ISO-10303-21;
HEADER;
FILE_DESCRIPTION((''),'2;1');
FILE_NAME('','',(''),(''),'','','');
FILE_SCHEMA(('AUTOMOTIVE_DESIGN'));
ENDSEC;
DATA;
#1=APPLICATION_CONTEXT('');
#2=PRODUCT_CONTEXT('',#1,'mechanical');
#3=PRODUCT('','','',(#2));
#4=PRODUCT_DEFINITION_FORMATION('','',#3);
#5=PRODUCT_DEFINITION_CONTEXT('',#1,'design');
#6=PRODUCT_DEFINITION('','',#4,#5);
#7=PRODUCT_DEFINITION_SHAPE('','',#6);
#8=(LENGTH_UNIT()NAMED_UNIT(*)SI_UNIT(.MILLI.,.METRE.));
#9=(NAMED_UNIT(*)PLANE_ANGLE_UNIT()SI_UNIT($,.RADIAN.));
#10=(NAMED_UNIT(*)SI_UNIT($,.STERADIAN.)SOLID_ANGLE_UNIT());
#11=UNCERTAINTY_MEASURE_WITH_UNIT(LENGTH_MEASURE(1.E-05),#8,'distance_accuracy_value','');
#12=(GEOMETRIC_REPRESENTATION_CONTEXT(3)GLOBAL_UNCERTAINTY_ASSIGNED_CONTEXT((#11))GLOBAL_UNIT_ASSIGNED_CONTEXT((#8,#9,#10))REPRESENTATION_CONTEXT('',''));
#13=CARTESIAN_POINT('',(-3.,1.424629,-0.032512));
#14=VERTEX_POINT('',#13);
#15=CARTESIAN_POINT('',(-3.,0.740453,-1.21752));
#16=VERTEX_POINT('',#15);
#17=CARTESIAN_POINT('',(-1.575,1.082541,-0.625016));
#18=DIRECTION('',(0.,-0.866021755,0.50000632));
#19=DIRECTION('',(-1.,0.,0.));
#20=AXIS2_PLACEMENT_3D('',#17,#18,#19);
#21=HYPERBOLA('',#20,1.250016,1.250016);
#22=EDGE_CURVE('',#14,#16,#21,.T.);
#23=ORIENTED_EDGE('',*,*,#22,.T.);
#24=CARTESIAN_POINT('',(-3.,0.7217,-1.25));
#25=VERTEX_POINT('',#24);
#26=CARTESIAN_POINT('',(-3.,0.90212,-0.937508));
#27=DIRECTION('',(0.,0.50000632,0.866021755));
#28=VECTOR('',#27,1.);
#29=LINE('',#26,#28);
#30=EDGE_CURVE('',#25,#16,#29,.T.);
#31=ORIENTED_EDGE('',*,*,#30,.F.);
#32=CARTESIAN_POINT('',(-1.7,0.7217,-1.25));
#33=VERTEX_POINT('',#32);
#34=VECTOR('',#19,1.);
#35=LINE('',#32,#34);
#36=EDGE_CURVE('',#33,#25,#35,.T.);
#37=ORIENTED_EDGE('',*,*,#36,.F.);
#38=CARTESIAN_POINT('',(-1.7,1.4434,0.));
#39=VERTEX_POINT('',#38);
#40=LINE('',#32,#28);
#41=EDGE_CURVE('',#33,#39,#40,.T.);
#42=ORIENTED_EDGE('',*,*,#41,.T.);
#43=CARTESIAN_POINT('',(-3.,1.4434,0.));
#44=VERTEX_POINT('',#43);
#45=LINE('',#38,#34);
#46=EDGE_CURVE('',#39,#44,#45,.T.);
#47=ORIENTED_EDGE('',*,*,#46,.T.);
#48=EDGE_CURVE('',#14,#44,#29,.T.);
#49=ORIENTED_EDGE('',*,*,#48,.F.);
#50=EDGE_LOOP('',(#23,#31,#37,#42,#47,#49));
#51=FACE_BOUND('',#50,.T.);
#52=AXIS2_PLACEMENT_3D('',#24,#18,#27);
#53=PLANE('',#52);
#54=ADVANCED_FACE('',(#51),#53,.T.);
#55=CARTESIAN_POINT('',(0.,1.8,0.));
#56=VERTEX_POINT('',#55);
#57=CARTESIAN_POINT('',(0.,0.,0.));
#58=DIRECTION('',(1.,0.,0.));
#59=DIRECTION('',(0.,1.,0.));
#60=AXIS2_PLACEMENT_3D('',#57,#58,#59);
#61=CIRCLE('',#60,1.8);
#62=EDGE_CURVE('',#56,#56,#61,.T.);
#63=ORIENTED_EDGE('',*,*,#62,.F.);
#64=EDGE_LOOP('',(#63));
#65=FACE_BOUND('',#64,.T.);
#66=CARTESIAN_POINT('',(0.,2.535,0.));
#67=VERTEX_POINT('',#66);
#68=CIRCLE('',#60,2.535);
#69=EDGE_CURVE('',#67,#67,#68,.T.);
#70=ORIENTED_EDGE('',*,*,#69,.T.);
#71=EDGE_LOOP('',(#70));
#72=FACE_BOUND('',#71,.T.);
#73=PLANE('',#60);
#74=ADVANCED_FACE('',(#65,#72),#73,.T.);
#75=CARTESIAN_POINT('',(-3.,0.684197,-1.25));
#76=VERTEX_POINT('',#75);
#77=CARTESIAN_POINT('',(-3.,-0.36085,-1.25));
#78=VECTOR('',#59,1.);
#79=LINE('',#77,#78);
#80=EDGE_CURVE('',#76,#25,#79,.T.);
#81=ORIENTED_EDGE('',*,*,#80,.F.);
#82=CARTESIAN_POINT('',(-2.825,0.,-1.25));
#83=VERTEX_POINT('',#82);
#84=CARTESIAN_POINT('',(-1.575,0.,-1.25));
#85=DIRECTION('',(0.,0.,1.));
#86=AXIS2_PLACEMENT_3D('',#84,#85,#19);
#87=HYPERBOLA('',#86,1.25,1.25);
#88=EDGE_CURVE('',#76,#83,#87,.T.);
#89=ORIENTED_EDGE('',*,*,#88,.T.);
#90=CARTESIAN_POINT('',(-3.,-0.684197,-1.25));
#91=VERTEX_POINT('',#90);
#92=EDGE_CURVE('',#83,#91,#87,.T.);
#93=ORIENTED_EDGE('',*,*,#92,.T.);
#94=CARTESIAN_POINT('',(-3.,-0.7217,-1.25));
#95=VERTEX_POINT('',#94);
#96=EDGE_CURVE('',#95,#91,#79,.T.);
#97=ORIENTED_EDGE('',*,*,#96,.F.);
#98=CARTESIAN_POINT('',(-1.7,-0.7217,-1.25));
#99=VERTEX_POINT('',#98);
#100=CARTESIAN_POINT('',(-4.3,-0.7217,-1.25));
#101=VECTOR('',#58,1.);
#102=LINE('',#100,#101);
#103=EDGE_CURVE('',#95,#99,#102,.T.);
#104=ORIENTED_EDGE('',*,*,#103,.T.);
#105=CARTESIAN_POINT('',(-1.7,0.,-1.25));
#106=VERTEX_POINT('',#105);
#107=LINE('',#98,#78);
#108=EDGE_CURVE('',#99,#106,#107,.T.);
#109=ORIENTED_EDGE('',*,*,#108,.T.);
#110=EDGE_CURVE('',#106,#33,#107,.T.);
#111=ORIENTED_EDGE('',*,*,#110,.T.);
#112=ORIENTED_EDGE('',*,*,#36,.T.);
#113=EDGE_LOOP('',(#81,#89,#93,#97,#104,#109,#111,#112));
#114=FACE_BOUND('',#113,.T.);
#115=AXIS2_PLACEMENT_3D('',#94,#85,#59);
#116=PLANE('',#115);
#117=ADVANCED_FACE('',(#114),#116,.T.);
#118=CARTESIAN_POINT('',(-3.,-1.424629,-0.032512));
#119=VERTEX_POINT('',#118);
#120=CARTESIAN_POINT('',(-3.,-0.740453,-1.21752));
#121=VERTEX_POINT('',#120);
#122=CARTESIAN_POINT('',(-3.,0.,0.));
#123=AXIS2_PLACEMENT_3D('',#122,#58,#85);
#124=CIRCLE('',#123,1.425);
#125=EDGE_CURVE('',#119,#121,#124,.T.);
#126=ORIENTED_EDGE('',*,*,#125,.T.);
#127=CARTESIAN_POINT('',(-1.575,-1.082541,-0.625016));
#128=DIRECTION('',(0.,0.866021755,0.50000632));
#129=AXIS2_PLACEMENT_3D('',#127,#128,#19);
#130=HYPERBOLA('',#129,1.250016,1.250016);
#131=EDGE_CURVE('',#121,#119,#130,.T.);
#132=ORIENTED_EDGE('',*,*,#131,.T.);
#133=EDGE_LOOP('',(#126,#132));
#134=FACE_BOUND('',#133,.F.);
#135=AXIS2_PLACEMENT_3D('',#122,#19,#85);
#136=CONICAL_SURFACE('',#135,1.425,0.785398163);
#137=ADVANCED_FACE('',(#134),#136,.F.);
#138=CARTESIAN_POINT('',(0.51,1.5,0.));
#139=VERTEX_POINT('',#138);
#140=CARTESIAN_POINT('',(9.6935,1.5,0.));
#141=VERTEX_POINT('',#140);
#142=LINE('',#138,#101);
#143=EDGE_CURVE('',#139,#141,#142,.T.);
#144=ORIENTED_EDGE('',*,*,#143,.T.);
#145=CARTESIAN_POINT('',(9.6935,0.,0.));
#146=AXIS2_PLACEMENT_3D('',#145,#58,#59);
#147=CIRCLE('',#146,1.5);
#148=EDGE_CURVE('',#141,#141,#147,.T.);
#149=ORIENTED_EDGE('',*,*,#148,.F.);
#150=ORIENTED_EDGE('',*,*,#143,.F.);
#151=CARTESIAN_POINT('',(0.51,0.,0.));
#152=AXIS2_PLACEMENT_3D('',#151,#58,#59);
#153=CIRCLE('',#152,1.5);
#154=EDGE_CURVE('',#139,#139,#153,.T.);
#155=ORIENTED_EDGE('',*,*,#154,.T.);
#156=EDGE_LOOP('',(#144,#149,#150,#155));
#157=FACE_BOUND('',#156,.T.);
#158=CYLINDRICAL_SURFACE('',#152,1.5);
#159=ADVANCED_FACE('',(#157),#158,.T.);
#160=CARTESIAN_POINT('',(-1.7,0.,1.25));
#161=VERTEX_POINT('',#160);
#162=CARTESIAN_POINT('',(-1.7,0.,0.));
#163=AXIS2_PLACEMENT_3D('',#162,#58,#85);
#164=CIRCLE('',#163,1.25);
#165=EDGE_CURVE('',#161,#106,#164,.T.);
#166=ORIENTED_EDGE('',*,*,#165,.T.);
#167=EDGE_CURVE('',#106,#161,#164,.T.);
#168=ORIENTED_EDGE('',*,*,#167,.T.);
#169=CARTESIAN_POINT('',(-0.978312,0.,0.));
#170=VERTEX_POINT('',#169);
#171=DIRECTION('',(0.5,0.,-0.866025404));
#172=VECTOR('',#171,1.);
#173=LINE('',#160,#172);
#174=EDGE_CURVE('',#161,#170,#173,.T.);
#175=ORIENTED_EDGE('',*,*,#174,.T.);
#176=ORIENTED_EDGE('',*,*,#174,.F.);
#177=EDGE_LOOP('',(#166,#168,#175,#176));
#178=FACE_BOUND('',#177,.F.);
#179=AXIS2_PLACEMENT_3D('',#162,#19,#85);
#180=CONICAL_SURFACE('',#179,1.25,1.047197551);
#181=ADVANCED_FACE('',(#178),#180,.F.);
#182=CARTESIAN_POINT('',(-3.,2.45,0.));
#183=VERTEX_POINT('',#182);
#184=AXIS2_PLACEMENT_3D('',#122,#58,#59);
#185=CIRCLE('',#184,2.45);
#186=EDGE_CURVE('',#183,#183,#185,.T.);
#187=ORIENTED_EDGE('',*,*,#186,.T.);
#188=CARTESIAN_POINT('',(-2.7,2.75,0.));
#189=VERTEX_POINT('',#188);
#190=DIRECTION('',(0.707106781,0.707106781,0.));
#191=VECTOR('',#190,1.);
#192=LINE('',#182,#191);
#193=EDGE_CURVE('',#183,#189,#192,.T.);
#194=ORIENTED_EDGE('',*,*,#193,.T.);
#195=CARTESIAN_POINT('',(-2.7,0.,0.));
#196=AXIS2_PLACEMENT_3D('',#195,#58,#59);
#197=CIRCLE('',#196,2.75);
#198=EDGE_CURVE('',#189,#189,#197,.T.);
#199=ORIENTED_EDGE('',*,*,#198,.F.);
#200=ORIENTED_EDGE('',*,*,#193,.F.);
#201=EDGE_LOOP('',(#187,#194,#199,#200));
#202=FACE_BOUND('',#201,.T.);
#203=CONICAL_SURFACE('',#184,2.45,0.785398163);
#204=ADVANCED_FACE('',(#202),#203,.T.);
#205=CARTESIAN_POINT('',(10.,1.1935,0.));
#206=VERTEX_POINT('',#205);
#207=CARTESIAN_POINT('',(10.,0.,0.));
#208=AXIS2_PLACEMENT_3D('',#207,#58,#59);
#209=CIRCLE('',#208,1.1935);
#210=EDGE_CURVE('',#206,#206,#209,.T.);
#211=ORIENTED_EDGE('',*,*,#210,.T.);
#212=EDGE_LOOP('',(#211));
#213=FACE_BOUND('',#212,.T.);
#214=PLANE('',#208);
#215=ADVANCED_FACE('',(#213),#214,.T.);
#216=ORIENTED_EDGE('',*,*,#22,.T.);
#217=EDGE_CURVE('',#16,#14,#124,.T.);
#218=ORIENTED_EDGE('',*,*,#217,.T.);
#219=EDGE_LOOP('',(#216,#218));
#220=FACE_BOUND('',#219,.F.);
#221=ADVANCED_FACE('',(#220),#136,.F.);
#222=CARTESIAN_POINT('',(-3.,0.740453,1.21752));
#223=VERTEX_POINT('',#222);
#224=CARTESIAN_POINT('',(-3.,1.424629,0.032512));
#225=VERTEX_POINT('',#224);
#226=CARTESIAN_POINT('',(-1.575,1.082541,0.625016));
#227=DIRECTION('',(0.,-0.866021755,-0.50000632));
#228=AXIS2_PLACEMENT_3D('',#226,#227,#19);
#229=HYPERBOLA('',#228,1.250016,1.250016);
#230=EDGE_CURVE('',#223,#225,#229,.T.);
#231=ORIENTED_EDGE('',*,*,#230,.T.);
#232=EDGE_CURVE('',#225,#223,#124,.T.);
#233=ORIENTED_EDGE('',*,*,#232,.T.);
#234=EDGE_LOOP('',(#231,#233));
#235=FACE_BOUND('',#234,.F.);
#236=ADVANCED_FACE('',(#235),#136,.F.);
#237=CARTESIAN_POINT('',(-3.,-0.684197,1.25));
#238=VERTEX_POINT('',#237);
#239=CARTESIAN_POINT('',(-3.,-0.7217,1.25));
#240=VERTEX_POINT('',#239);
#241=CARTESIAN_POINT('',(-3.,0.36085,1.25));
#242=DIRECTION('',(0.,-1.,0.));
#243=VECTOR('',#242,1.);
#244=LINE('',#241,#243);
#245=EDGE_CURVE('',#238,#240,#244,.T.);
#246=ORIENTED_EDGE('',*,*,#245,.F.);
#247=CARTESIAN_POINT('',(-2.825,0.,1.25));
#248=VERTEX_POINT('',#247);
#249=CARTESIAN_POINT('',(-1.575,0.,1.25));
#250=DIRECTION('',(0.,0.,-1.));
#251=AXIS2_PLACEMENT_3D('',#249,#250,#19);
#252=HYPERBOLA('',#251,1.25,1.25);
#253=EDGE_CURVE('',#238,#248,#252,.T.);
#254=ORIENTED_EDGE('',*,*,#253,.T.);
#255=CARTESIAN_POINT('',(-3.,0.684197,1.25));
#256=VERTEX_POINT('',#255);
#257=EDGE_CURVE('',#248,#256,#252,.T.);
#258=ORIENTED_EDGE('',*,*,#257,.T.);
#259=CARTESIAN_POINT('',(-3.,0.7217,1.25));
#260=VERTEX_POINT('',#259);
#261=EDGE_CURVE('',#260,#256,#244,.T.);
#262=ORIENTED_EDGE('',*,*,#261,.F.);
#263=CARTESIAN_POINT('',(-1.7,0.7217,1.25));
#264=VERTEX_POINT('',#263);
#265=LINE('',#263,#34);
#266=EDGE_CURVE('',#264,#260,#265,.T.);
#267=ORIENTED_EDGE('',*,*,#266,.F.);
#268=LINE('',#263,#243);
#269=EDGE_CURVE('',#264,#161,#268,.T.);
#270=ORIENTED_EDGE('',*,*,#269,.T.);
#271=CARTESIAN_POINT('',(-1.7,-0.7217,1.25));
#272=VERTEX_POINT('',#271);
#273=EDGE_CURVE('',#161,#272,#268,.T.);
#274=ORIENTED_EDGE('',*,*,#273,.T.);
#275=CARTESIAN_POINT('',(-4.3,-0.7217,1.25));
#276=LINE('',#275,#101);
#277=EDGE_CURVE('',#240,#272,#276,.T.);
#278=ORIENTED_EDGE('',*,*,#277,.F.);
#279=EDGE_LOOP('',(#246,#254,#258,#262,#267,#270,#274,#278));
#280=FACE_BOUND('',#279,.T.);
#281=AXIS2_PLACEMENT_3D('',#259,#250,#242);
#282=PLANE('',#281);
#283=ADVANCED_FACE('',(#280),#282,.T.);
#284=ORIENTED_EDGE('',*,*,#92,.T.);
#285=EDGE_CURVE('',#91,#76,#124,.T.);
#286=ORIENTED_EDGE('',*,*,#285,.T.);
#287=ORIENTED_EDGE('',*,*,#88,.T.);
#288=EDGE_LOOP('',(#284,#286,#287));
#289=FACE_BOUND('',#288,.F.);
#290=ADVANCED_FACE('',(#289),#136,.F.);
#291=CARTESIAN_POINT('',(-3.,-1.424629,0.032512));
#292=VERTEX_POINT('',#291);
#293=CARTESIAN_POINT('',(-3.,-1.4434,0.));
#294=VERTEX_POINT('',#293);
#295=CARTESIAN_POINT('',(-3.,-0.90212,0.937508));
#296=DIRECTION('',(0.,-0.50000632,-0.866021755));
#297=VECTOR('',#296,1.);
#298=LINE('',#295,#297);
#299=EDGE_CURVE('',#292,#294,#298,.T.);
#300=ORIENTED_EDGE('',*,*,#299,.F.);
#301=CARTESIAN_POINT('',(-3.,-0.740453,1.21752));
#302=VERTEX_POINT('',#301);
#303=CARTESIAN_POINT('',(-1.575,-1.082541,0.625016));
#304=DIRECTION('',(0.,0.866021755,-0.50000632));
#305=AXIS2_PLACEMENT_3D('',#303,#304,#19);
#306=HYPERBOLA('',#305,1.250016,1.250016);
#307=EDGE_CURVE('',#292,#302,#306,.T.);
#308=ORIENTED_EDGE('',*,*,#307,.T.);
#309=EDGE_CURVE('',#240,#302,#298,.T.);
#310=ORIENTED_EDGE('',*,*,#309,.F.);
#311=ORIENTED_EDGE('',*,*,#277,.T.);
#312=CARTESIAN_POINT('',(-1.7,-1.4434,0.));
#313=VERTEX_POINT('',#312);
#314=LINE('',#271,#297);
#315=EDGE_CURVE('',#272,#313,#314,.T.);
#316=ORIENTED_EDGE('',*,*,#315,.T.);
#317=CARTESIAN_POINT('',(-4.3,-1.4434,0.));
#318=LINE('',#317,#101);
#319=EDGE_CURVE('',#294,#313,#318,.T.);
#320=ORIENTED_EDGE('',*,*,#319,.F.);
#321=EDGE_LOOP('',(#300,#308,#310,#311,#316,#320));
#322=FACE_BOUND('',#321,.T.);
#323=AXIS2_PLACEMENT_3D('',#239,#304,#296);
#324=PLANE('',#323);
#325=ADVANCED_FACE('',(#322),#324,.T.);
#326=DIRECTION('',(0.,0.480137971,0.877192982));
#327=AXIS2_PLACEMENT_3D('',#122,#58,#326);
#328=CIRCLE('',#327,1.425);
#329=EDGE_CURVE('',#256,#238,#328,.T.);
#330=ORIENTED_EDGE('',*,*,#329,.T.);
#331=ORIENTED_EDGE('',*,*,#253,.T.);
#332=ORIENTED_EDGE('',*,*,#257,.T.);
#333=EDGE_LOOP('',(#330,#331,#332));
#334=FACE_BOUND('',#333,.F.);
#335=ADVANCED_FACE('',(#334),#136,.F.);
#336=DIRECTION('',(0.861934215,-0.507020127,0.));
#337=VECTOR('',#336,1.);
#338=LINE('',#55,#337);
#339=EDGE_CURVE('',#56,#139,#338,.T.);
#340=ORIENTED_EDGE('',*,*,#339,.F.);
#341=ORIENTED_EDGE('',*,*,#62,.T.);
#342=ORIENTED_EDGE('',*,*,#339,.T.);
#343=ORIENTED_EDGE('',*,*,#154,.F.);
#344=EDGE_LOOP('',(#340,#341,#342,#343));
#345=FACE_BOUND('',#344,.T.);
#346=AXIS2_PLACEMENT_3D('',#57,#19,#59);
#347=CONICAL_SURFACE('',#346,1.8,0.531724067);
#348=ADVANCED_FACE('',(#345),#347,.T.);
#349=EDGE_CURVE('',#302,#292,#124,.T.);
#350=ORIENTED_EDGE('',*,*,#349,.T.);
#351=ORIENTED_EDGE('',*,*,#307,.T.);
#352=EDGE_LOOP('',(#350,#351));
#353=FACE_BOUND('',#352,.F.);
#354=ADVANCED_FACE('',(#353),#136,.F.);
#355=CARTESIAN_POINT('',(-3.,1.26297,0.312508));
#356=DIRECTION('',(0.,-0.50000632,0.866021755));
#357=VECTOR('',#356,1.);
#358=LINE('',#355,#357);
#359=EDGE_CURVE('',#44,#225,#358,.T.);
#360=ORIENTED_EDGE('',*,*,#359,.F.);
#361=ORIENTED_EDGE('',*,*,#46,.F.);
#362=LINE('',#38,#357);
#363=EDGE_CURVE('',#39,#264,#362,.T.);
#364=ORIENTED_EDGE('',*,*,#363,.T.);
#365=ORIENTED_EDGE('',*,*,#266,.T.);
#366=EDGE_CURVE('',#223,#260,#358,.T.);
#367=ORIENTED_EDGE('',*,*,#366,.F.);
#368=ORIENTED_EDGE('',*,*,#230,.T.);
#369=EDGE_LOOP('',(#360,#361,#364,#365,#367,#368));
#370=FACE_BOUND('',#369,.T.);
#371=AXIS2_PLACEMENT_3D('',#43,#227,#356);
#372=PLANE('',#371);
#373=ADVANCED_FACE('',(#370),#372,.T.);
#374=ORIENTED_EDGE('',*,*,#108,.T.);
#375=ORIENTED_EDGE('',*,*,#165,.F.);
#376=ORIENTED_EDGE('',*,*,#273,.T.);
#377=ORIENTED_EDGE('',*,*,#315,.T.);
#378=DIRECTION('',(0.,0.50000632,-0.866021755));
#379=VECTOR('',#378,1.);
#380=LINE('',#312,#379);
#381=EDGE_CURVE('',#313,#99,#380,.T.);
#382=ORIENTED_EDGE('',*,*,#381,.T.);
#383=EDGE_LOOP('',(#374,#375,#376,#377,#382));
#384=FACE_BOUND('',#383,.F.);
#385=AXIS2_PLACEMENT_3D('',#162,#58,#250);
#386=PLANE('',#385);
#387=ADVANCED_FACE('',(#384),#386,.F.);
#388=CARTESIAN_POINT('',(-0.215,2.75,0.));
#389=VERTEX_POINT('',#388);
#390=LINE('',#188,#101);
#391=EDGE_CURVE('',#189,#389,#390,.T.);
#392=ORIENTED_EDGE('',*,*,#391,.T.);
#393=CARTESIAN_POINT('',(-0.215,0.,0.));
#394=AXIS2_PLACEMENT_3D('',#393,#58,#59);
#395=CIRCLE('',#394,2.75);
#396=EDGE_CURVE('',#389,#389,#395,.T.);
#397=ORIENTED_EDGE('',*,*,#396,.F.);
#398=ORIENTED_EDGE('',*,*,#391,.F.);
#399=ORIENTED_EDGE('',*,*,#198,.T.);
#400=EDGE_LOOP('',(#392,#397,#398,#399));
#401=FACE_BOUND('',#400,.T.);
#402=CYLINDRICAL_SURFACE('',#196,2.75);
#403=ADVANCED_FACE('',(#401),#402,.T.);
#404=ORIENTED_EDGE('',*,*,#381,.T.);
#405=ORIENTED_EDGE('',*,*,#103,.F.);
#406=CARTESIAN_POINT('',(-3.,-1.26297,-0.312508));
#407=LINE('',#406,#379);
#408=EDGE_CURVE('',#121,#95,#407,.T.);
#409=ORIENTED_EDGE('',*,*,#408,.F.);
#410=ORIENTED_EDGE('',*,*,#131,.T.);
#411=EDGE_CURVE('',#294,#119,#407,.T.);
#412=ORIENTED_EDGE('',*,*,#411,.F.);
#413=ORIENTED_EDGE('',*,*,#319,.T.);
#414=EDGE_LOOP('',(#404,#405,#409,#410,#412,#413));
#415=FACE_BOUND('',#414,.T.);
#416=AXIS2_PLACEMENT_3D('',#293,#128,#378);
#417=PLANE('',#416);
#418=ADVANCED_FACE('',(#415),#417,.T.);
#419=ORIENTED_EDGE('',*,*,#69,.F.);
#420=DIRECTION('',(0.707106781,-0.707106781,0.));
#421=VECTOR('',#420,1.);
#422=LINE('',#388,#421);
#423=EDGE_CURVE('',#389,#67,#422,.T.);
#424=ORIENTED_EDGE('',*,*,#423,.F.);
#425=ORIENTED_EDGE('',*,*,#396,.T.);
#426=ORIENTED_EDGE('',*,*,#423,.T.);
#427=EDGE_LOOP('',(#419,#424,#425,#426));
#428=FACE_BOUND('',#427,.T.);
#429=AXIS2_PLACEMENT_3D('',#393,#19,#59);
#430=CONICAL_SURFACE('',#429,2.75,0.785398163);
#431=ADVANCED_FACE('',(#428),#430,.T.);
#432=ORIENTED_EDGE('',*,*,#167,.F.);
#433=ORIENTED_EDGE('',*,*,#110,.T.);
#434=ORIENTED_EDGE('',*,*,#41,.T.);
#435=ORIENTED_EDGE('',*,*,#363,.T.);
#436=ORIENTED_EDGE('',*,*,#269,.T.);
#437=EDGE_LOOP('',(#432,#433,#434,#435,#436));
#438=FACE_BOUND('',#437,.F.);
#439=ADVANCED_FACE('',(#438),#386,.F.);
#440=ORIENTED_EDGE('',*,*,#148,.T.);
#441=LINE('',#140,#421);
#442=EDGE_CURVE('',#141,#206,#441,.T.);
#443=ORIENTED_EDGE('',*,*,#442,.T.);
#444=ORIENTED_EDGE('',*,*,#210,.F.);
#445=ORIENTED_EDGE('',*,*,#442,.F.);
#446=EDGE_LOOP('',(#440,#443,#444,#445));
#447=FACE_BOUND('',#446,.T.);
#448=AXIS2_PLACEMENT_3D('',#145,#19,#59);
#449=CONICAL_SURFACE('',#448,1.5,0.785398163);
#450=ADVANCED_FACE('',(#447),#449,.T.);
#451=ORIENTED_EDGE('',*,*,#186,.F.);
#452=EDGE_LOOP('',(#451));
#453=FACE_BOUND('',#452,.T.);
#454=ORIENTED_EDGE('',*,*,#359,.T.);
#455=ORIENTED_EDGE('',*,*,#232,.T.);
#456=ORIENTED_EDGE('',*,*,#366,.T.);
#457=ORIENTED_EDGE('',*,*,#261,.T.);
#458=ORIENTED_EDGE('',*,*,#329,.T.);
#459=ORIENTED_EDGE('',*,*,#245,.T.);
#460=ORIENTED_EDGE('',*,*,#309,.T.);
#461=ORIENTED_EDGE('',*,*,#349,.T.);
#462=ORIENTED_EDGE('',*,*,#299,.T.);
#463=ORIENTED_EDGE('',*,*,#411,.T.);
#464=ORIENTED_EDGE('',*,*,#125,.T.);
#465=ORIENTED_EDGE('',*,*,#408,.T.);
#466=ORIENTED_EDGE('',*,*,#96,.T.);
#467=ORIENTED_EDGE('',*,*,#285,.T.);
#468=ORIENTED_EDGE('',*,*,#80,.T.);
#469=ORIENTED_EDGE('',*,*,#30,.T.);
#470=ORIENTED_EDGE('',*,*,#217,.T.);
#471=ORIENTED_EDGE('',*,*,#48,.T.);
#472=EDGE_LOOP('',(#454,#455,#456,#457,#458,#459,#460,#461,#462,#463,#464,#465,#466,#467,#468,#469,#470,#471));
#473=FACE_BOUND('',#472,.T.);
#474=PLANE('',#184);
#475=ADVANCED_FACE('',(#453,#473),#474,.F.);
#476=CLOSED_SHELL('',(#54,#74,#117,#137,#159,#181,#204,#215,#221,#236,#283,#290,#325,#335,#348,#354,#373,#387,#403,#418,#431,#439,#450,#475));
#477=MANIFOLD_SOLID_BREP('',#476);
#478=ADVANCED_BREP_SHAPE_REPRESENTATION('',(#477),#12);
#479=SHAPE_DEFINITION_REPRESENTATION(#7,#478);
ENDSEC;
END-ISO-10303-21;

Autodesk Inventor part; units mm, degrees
sketch "Sketch_1" plane through (0, 0, 0) normal (0, 0, 1) x (1, 0, 0)
  line L0 (10, 0) -> (-3, 0)
  line L1 (-3, 0) -> (-3, 2.75)
  line L2 (-3, 2.75) -> (0, 2.75)
  line L3 (0, 2.75) -> (0, 1.8)
  line L4 (0, 1.8) -> (0.51, 1.5)
  line L5 (0.51, 1.5) -> (9.6935, 1.5)
  line L6 (9.6935, 1.5) -> (10, 1.1935)
  line L7 (10, 1.1935) -> (10, 0)
  line L8 (10, 0) -> (-3, 0)
revolve "Revolution1" add sketch "Sketch_1" angle 360 about axis through (10, 0, 0) along (1, 0, 0)
thread "Thread1" size "M3x0.5" class "6g" standard "ISO Metric profile" length 8.1935
sketch "Sketch_6" plane through (0, 0, 0) normal (0, 0, 1) x (1, 0, 0)
  line L0 (0, 0) -> (-3, 0)
  line L1 (-3, 3.3) -> (-3, 2.45)
  line L2 (-3, 2.45) -> (-2.7, 2.75)
  line L3 (-2.7, 2.75) -> (-0.215, 2.75)
  line L4 (-0.215, 2.75) -> (0, 2.535)
  line L5 (0, 2.535) -> (0, 3.3)
  line L6 (0, 3.3) -> (-3, 3.3)
revolve "Revolution2" cut sketch "Sketch_6" angle 360 about axis through (0, 0, 0) along (1, 0, 0)
sketch "Sketch3" plane through (-3, 0, 0) normal (-1, 0, 0) x (0, 0, 1)
  point P0 (0, 0)
hole "Hole1" at (-3, 0, 0) direction (1, 0, 0) diameter 2.5 depth 1.3 tip angle 120 countersink diameter 2.85 countersink angle 90
sketch "Sketch_2" plane through (-3, 0, 0) normal (1, 0, 0) x (0, 0, -1)
  line L0 (-1.25, -0.7217) -> (0, -1.4434)
  line L1 (0, -1.4434) -> (1.25, -0.7217)
  line L2 (1.25, -0.7217) -> (1.25, 0.7217)
  line L3 (1.25, 0.7217) -> (0, 1.4434)
  line L4 (0, 1.4434) -> (-1.25, 0.7217)
  line L5 (-1.25, 0.7217) -> (-1.25, -0.7217)
extrude "Extrusion1" cut sketch "Sketch_2" along normal mid plane 2.6
ref_plane "ANBAU_XY" through (0, 0, 0) normal (-1, 0, 0) x (0, 0, -1)
ref_plane "ANBAU_YZ" through (0, 0, 0) normal (0, 0, -1) x (0, -1, 0)
ref_plane "ANBAU_ZX" through (0, 0, 0) normal (0, -1, 0) x (-1, 0, 0)
ref_plane "IP1_XY" through (0, 0, 0) normal (1, 0, 0) x (0, 0, -1)
ref_plane "IP1_YZ" through (0, 0, 0) normal (0, 0, -1) x (0, 1, 0)
ref_plane "IP1_ZX" through (0, 0, 0) normal (0, 1, 0) x (1, 0, 0)
ref_plane "IP2_XY" through (-3, 0, 0) normal (1, 0, 0) x (0, 0, -1)
ref_plane "IP2_YZ" through (-3, 0, 0) normal (0, 0, -1) x (0, 1, 0)
ref_plane "IP2_ZX" through (-3, 0, 0) normal (0, 1, 0) x (1, 0, 0)
ref_plane "IP3_XY" through (10, 0, 0) normal (1, 0, 0) x (0, 0, -1)
ref_plane "IP3_YZ" through (10, 0, 0) normal (0, 0, -1) x (0, 1, 0)
ref_plane "IP3_ZX" through (10, 0, 0) normal (0, 1, 0) x (1, 0, 0)
properties part number "ISO-4762 M3x10"
